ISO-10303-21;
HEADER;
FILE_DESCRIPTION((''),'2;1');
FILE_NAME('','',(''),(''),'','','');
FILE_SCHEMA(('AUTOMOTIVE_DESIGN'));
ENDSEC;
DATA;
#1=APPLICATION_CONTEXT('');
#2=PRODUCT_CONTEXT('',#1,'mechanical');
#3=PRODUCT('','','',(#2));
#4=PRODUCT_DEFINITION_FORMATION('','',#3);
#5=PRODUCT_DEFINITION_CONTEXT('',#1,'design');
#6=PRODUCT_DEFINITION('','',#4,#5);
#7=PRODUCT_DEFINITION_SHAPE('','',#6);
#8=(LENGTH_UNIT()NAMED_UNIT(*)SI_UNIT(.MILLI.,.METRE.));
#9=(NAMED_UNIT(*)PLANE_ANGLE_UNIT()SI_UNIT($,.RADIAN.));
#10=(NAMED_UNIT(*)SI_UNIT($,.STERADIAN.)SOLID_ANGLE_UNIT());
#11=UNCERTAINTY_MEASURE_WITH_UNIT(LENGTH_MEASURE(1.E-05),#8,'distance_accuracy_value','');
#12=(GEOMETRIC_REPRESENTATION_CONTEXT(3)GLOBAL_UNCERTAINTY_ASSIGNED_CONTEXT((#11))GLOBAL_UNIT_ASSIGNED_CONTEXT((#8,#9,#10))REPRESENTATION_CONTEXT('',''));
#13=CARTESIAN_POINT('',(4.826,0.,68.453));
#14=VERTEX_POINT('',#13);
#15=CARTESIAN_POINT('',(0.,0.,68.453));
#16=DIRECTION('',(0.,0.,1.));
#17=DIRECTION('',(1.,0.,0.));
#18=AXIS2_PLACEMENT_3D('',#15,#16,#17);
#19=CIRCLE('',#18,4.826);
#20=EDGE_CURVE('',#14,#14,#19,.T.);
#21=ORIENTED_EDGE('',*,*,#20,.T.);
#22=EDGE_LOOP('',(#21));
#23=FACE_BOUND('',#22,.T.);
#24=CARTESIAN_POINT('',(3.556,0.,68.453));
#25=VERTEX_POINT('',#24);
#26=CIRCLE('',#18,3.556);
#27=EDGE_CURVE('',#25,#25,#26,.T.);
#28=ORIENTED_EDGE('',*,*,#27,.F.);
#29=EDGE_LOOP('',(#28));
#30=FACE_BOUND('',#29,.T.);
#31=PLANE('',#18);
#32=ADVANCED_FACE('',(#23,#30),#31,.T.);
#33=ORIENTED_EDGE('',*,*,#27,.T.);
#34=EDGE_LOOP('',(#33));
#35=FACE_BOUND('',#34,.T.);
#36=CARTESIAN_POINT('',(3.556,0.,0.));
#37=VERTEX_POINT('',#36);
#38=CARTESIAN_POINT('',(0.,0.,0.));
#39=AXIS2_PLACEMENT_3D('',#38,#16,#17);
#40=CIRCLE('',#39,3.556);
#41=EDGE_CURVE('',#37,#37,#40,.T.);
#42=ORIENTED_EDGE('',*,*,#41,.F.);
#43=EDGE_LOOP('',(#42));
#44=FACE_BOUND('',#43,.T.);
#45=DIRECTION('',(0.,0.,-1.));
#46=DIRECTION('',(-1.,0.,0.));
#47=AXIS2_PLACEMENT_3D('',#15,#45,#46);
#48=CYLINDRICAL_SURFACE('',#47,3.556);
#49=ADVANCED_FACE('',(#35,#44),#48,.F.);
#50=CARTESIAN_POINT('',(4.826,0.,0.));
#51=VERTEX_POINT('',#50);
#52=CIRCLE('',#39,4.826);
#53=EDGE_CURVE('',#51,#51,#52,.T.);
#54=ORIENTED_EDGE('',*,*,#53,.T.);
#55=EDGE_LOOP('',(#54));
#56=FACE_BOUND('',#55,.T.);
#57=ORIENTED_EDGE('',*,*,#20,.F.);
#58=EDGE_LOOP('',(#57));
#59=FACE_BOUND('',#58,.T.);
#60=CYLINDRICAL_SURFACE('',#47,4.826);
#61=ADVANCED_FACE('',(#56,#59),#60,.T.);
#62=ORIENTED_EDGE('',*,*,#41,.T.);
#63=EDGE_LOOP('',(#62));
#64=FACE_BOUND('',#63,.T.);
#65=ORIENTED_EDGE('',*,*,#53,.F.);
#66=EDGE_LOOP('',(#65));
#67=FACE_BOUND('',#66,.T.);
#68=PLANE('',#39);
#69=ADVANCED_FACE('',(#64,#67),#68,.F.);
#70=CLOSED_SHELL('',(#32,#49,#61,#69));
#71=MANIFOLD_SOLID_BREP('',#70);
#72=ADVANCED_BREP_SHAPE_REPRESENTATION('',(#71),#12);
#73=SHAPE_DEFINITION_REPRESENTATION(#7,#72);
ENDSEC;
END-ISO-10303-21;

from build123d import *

# Parameters (mm, degrees)
SKETCH1_R           = 4.826
SKETCH1_R_2         = 3.556
BOSS_EXTRUDE1_DEPTH = 68.453


with BuildPart() as part:
    # Sketch1 → Boss-Extrude1 (new body)
    with BuildSketch(Plane.XY):
        Circle(SKETCH1_R)
        Circle(SKETCH1_R_2, mode=Mode.SUBTRACT)
    extrude(amount=BOSS_EXTRUDE1_DEPTH)


solid = part.part
